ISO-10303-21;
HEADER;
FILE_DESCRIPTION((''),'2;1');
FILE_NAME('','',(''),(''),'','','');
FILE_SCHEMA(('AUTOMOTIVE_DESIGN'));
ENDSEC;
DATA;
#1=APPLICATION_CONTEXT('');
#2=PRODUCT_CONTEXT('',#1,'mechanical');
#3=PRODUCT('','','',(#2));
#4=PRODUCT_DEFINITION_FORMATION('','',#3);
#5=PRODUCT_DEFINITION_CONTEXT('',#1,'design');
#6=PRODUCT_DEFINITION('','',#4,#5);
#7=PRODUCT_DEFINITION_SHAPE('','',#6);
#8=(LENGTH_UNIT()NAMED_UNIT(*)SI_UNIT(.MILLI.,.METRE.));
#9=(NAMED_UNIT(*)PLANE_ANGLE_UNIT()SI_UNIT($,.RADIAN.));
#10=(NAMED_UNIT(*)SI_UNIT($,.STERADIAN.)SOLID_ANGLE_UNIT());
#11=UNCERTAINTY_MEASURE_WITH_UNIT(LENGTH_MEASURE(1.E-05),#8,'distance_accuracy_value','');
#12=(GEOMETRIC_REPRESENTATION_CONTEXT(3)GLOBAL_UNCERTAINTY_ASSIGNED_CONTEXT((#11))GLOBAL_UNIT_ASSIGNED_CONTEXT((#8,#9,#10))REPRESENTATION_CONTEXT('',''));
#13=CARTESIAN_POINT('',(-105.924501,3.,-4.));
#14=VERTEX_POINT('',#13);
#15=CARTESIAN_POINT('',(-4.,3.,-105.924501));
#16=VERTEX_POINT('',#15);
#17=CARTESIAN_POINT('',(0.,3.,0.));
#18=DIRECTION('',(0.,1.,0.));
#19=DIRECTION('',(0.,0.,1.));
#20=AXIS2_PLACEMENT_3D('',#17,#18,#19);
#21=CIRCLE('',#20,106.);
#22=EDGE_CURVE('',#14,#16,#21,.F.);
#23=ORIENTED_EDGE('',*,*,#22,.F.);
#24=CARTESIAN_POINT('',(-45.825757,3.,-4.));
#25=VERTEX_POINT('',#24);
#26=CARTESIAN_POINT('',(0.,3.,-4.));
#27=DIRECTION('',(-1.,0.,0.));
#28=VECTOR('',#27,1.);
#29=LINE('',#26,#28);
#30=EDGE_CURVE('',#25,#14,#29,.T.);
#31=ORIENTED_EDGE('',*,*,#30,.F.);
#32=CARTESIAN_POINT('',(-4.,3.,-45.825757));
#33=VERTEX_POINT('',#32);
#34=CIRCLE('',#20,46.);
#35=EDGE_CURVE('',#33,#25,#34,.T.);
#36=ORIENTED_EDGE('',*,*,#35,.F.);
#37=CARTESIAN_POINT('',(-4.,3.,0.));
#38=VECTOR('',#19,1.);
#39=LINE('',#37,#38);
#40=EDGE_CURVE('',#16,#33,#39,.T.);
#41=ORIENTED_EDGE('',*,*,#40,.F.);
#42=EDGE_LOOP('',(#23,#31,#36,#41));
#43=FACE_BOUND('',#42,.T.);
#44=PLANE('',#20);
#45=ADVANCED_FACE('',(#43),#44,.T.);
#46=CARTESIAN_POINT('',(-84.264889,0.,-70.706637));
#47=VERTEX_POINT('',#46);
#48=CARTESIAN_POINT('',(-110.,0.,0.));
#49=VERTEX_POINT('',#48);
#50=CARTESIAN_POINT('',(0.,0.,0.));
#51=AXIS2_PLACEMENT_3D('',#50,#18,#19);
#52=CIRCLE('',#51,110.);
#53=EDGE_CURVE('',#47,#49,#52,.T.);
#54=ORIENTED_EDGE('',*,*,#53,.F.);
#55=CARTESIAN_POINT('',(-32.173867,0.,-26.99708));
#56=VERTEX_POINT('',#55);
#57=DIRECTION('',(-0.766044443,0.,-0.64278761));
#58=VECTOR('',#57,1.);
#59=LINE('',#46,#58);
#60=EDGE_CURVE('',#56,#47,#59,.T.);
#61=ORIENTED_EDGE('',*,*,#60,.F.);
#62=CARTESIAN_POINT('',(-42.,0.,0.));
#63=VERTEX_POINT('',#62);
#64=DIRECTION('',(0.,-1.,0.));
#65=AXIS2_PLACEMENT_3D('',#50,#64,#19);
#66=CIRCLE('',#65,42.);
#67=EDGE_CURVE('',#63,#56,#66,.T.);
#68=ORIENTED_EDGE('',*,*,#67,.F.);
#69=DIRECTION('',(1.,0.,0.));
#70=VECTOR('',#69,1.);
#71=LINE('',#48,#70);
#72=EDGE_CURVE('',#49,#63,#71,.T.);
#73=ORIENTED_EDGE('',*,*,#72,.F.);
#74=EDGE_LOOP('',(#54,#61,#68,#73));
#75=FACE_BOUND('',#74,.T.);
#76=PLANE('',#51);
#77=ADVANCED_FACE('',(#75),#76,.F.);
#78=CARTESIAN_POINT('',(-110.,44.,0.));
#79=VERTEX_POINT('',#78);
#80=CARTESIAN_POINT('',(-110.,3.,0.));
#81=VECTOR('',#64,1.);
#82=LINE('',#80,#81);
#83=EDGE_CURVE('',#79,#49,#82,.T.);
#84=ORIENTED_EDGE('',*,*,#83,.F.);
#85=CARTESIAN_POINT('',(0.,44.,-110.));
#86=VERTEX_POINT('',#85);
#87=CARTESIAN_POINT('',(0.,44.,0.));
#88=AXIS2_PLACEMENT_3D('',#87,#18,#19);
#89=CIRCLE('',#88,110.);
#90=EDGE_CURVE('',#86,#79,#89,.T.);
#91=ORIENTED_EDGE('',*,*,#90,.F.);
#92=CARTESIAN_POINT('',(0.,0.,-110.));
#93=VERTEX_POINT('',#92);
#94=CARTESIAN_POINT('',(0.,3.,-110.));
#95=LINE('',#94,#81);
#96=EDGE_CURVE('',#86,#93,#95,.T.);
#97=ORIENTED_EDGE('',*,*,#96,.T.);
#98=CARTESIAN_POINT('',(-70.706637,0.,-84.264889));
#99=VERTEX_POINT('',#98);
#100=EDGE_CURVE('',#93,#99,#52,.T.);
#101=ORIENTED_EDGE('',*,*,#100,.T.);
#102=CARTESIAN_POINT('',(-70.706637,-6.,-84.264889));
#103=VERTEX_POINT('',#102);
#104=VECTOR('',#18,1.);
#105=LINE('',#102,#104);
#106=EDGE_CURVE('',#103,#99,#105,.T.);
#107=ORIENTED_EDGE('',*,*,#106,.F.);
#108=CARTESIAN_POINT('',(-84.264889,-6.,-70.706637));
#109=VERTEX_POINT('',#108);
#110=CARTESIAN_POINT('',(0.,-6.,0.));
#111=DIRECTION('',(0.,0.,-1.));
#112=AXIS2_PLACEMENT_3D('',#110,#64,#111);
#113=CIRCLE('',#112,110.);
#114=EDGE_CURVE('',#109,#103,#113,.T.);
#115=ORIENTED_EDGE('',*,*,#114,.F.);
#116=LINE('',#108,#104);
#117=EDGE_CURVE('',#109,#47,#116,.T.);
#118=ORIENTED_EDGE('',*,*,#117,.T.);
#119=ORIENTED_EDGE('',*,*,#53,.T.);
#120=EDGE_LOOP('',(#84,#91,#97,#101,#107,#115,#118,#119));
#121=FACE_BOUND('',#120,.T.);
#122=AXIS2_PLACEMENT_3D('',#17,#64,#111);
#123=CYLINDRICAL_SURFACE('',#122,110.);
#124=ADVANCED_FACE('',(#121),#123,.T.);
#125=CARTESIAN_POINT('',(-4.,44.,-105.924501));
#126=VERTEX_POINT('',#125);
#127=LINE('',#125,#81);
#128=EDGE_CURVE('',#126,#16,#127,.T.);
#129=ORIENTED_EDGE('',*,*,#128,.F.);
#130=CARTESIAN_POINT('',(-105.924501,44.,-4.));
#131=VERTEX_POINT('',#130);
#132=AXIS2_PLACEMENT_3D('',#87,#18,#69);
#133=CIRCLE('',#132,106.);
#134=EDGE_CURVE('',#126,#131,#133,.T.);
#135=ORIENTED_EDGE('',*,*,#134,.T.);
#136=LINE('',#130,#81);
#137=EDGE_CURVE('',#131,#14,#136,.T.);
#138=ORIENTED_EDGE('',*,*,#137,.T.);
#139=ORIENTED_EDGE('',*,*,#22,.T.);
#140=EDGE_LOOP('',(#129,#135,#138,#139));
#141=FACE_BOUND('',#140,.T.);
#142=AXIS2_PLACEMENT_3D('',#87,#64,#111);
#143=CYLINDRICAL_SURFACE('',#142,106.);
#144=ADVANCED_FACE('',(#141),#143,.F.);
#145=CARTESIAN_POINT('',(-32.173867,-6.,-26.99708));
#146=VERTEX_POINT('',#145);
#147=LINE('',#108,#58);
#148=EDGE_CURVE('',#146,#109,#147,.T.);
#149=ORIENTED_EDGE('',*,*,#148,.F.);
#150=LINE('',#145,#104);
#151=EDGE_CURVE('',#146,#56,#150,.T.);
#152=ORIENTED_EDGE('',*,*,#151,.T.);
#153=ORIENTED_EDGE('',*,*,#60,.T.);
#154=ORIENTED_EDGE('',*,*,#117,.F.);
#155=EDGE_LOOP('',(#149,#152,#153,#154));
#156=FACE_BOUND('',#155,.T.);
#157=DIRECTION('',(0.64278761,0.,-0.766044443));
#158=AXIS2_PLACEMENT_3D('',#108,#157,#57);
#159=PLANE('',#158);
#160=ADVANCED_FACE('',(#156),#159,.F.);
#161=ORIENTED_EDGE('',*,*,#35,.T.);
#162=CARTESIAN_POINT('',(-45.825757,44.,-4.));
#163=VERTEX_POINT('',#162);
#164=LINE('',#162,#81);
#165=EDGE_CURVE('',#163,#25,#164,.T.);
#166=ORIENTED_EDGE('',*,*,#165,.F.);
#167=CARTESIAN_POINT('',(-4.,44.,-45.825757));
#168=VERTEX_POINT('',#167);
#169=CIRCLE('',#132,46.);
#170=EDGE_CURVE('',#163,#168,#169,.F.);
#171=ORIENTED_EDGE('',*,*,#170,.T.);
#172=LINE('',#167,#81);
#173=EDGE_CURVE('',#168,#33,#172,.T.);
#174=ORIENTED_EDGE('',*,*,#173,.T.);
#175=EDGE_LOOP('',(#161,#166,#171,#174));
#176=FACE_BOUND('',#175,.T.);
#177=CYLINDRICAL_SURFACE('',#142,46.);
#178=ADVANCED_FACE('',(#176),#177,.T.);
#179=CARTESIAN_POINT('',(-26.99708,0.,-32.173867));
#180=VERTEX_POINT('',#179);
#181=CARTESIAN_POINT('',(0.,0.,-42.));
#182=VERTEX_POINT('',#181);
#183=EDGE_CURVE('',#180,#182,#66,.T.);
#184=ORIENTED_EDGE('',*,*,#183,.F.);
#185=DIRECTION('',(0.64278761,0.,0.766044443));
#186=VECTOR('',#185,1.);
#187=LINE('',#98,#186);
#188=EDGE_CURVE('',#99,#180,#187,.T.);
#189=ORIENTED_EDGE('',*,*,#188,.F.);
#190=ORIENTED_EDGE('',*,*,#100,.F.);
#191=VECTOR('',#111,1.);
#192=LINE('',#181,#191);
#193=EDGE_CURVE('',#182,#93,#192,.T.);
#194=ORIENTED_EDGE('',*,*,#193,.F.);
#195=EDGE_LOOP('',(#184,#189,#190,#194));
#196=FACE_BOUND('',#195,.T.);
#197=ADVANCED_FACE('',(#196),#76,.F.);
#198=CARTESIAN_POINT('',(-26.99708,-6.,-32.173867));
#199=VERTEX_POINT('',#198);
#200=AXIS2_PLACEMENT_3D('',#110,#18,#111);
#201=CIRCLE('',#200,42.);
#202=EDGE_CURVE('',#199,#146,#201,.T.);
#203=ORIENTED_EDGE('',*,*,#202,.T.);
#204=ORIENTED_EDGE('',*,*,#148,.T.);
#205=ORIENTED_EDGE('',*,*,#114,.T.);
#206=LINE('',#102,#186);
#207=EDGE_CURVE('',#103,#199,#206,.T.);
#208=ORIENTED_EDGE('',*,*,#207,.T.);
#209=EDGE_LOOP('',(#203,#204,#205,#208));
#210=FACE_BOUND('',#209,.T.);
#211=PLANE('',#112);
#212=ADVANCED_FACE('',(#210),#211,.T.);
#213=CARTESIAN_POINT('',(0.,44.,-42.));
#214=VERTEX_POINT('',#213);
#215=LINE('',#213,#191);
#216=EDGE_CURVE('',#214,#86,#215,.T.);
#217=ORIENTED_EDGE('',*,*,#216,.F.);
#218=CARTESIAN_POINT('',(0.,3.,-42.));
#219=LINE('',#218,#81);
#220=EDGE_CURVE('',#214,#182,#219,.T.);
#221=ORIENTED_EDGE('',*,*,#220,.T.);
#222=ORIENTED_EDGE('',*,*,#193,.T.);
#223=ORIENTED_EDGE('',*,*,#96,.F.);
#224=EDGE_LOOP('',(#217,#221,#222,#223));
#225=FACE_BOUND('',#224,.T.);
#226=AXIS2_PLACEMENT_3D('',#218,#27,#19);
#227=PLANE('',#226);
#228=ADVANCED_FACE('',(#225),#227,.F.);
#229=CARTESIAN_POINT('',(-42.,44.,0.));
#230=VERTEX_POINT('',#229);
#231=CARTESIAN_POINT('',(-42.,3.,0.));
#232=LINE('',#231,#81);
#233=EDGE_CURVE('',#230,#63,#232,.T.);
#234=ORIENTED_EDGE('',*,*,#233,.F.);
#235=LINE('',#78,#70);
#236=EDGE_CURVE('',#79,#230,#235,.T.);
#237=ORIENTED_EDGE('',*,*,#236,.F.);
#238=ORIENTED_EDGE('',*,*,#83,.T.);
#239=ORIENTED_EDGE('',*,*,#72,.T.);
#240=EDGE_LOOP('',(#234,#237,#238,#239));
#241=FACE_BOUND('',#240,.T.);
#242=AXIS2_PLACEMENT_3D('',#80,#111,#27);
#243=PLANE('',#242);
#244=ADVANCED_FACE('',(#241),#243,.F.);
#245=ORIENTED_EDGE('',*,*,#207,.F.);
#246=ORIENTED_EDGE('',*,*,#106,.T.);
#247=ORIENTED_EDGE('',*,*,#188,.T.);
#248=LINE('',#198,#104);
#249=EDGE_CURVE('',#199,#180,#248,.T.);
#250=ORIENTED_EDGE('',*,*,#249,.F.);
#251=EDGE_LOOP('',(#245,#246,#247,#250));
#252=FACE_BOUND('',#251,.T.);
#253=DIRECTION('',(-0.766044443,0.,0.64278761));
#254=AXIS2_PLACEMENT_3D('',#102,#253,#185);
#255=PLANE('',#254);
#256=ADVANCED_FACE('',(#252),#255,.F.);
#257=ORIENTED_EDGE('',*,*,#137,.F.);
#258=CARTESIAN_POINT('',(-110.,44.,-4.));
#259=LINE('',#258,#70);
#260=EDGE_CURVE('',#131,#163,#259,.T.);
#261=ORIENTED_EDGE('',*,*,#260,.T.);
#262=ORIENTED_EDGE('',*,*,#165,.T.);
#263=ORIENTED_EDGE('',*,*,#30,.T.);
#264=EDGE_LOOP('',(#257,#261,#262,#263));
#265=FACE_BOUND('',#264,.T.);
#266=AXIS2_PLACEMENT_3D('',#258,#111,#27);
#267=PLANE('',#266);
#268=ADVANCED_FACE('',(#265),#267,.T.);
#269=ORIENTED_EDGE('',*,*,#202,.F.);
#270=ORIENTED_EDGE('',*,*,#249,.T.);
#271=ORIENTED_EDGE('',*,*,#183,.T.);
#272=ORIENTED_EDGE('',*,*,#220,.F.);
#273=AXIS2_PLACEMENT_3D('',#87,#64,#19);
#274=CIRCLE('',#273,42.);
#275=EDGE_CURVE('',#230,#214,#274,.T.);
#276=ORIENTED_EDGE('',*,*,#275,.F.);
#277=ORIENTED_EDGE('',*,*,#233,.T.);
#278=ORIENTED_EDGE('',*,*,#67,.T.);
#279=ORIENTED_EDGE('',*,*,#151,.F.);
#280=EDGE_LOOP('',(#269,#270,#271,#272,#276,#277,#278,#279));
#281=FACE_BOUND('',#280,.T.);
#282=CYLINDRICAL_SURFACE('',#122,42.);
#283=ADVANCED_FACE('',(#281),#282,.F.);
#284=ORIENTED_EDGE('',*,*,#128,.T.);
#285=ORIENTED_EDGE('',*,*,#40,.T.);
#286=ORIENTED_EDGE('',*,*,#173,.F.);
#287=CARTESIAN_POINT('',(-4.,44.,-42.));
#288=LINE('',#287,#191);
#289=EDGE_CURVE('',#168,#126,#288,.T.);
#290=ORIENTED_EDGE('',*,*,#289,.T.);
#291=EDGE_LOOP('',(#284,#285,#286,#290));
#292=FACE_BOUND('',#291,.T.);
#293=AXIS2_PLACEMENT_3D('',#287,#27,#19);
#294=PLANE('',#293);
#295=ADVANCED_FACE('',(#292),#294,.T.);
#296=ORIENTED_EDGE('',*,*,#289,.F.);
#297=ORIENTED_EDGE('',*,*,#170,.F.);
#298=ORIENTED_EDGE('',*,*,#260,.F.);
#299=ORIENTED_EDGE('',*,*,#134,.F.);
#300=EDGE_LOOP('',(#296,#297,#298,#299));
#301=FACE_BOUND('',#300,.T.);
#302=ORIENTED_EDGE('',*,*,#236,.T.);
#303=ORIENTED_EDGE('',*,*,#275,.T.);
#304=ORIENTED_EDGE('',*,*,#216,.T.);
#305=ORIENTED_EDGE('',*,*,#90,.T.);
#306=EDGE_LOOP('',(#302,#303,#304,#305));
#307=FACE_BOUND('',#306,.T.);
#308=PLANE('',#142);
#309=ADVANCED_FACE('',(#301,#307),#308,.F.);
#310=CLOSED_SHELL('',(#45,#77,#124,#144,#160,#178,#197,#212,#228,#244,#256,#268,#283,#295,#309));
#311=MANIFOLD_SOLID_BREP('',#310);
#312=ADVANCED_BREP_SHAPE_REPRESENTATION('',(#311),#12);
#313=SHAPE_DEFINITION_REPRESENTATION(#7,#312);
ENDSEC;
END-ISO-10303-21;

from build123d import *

# Parameters (mm, degrees)
ESTRUSIONE_ESTRUSIONE1_DEPTH = 3
ESTRUSIONE_SOTTILE1_DEPTH    = 44
ESTRUSIONE_ESTRUSIONE2_START = 6
ESTRUSIONE_ESTRUSIONE2_DEPTH = 6


with BuildPart() as part:
    # Schizzo1 → Estrusione-Estrusione1 (new body)
    with BuildSketch(Plane(origin=(0, 0, 0), x_dir=(1, 0, 0), z_dir=(0, 1, 0))):
        with BuildLine():
            Line((-110, 0), (-42, 0))
            ThreePointArc((-42, 0), (-29.69848481, 29.69848481), (0, 42))
            Line((0, 42), (0, 110))
            ThreePointArc((0, 110), (-77.781745931, 77.781745931), (-110, 0))
        make_face()
    extrude(amount=ESTRUSIONE_ESTRUSIONE1_DEPTH)

    # Schizzo1<2> → Estrusione-Sottile1 (add)
    with BuildSketch(Plane(origin=(0, 0, 0), x_dir=(1, 0, 0), z_dir=(0, 1, 0))):
        with BuildLine():
            Line((0, 42), (0, 110))
            ThreePointArc((0, 110), (-77.781745931, 77.781745931), (-110, 0))
            Line((-110, 0), (-42, 0))
            ThreePointArc((-42, 0), (-29.69848481, 29.69848481), (0, 42))
        make_face()
        with BuildLine():
            Line((-4, 45.82575695), (-4, 105.924501415))
            ThreePointArc((-4, 105.924501415), (-74.953318806, 74.953318806), (-105.924501415, 4))
            Line((-105.924501415, 4), (-45.82575695, 4))
            ThreePointArc((-45.82575695, 4), (-32.526911935, 32.526911935), (-4, 45.82575695))
        make_face(mode=Mode.SUBTRACT)
    extrude(amount=ESTRUSIONE_SOTTILE1_DEPTH)

    # Schizzo2 → Estrusione-Estrusione2 (add)
    with BuildSketch(Plane.XZ.offset(ESTRUSIONE_ESTRUSIONE2_START)):
        with BuildLine():
            Line((-84.264888743, -70.706637066), (-32.173866611, -26.997079607))
            ThreePointArc((-32.173866611, -26.997079607), (-29.69848481, -29.69848481), (-26.997079607, -32.173866611))
            Line((-26.997079607, -32.173866611), (-70.706637066, -84.264888743))
            ThreePointArc((-70.706637066, -84.264888743), (-77.781745931, -77.781745931), (-84.264888743, -70.706637066))
        make_face()
    extrude(amount=-ESTRUSIONE_ESTRUSIONE2_DEPTH)


solid = part.part
